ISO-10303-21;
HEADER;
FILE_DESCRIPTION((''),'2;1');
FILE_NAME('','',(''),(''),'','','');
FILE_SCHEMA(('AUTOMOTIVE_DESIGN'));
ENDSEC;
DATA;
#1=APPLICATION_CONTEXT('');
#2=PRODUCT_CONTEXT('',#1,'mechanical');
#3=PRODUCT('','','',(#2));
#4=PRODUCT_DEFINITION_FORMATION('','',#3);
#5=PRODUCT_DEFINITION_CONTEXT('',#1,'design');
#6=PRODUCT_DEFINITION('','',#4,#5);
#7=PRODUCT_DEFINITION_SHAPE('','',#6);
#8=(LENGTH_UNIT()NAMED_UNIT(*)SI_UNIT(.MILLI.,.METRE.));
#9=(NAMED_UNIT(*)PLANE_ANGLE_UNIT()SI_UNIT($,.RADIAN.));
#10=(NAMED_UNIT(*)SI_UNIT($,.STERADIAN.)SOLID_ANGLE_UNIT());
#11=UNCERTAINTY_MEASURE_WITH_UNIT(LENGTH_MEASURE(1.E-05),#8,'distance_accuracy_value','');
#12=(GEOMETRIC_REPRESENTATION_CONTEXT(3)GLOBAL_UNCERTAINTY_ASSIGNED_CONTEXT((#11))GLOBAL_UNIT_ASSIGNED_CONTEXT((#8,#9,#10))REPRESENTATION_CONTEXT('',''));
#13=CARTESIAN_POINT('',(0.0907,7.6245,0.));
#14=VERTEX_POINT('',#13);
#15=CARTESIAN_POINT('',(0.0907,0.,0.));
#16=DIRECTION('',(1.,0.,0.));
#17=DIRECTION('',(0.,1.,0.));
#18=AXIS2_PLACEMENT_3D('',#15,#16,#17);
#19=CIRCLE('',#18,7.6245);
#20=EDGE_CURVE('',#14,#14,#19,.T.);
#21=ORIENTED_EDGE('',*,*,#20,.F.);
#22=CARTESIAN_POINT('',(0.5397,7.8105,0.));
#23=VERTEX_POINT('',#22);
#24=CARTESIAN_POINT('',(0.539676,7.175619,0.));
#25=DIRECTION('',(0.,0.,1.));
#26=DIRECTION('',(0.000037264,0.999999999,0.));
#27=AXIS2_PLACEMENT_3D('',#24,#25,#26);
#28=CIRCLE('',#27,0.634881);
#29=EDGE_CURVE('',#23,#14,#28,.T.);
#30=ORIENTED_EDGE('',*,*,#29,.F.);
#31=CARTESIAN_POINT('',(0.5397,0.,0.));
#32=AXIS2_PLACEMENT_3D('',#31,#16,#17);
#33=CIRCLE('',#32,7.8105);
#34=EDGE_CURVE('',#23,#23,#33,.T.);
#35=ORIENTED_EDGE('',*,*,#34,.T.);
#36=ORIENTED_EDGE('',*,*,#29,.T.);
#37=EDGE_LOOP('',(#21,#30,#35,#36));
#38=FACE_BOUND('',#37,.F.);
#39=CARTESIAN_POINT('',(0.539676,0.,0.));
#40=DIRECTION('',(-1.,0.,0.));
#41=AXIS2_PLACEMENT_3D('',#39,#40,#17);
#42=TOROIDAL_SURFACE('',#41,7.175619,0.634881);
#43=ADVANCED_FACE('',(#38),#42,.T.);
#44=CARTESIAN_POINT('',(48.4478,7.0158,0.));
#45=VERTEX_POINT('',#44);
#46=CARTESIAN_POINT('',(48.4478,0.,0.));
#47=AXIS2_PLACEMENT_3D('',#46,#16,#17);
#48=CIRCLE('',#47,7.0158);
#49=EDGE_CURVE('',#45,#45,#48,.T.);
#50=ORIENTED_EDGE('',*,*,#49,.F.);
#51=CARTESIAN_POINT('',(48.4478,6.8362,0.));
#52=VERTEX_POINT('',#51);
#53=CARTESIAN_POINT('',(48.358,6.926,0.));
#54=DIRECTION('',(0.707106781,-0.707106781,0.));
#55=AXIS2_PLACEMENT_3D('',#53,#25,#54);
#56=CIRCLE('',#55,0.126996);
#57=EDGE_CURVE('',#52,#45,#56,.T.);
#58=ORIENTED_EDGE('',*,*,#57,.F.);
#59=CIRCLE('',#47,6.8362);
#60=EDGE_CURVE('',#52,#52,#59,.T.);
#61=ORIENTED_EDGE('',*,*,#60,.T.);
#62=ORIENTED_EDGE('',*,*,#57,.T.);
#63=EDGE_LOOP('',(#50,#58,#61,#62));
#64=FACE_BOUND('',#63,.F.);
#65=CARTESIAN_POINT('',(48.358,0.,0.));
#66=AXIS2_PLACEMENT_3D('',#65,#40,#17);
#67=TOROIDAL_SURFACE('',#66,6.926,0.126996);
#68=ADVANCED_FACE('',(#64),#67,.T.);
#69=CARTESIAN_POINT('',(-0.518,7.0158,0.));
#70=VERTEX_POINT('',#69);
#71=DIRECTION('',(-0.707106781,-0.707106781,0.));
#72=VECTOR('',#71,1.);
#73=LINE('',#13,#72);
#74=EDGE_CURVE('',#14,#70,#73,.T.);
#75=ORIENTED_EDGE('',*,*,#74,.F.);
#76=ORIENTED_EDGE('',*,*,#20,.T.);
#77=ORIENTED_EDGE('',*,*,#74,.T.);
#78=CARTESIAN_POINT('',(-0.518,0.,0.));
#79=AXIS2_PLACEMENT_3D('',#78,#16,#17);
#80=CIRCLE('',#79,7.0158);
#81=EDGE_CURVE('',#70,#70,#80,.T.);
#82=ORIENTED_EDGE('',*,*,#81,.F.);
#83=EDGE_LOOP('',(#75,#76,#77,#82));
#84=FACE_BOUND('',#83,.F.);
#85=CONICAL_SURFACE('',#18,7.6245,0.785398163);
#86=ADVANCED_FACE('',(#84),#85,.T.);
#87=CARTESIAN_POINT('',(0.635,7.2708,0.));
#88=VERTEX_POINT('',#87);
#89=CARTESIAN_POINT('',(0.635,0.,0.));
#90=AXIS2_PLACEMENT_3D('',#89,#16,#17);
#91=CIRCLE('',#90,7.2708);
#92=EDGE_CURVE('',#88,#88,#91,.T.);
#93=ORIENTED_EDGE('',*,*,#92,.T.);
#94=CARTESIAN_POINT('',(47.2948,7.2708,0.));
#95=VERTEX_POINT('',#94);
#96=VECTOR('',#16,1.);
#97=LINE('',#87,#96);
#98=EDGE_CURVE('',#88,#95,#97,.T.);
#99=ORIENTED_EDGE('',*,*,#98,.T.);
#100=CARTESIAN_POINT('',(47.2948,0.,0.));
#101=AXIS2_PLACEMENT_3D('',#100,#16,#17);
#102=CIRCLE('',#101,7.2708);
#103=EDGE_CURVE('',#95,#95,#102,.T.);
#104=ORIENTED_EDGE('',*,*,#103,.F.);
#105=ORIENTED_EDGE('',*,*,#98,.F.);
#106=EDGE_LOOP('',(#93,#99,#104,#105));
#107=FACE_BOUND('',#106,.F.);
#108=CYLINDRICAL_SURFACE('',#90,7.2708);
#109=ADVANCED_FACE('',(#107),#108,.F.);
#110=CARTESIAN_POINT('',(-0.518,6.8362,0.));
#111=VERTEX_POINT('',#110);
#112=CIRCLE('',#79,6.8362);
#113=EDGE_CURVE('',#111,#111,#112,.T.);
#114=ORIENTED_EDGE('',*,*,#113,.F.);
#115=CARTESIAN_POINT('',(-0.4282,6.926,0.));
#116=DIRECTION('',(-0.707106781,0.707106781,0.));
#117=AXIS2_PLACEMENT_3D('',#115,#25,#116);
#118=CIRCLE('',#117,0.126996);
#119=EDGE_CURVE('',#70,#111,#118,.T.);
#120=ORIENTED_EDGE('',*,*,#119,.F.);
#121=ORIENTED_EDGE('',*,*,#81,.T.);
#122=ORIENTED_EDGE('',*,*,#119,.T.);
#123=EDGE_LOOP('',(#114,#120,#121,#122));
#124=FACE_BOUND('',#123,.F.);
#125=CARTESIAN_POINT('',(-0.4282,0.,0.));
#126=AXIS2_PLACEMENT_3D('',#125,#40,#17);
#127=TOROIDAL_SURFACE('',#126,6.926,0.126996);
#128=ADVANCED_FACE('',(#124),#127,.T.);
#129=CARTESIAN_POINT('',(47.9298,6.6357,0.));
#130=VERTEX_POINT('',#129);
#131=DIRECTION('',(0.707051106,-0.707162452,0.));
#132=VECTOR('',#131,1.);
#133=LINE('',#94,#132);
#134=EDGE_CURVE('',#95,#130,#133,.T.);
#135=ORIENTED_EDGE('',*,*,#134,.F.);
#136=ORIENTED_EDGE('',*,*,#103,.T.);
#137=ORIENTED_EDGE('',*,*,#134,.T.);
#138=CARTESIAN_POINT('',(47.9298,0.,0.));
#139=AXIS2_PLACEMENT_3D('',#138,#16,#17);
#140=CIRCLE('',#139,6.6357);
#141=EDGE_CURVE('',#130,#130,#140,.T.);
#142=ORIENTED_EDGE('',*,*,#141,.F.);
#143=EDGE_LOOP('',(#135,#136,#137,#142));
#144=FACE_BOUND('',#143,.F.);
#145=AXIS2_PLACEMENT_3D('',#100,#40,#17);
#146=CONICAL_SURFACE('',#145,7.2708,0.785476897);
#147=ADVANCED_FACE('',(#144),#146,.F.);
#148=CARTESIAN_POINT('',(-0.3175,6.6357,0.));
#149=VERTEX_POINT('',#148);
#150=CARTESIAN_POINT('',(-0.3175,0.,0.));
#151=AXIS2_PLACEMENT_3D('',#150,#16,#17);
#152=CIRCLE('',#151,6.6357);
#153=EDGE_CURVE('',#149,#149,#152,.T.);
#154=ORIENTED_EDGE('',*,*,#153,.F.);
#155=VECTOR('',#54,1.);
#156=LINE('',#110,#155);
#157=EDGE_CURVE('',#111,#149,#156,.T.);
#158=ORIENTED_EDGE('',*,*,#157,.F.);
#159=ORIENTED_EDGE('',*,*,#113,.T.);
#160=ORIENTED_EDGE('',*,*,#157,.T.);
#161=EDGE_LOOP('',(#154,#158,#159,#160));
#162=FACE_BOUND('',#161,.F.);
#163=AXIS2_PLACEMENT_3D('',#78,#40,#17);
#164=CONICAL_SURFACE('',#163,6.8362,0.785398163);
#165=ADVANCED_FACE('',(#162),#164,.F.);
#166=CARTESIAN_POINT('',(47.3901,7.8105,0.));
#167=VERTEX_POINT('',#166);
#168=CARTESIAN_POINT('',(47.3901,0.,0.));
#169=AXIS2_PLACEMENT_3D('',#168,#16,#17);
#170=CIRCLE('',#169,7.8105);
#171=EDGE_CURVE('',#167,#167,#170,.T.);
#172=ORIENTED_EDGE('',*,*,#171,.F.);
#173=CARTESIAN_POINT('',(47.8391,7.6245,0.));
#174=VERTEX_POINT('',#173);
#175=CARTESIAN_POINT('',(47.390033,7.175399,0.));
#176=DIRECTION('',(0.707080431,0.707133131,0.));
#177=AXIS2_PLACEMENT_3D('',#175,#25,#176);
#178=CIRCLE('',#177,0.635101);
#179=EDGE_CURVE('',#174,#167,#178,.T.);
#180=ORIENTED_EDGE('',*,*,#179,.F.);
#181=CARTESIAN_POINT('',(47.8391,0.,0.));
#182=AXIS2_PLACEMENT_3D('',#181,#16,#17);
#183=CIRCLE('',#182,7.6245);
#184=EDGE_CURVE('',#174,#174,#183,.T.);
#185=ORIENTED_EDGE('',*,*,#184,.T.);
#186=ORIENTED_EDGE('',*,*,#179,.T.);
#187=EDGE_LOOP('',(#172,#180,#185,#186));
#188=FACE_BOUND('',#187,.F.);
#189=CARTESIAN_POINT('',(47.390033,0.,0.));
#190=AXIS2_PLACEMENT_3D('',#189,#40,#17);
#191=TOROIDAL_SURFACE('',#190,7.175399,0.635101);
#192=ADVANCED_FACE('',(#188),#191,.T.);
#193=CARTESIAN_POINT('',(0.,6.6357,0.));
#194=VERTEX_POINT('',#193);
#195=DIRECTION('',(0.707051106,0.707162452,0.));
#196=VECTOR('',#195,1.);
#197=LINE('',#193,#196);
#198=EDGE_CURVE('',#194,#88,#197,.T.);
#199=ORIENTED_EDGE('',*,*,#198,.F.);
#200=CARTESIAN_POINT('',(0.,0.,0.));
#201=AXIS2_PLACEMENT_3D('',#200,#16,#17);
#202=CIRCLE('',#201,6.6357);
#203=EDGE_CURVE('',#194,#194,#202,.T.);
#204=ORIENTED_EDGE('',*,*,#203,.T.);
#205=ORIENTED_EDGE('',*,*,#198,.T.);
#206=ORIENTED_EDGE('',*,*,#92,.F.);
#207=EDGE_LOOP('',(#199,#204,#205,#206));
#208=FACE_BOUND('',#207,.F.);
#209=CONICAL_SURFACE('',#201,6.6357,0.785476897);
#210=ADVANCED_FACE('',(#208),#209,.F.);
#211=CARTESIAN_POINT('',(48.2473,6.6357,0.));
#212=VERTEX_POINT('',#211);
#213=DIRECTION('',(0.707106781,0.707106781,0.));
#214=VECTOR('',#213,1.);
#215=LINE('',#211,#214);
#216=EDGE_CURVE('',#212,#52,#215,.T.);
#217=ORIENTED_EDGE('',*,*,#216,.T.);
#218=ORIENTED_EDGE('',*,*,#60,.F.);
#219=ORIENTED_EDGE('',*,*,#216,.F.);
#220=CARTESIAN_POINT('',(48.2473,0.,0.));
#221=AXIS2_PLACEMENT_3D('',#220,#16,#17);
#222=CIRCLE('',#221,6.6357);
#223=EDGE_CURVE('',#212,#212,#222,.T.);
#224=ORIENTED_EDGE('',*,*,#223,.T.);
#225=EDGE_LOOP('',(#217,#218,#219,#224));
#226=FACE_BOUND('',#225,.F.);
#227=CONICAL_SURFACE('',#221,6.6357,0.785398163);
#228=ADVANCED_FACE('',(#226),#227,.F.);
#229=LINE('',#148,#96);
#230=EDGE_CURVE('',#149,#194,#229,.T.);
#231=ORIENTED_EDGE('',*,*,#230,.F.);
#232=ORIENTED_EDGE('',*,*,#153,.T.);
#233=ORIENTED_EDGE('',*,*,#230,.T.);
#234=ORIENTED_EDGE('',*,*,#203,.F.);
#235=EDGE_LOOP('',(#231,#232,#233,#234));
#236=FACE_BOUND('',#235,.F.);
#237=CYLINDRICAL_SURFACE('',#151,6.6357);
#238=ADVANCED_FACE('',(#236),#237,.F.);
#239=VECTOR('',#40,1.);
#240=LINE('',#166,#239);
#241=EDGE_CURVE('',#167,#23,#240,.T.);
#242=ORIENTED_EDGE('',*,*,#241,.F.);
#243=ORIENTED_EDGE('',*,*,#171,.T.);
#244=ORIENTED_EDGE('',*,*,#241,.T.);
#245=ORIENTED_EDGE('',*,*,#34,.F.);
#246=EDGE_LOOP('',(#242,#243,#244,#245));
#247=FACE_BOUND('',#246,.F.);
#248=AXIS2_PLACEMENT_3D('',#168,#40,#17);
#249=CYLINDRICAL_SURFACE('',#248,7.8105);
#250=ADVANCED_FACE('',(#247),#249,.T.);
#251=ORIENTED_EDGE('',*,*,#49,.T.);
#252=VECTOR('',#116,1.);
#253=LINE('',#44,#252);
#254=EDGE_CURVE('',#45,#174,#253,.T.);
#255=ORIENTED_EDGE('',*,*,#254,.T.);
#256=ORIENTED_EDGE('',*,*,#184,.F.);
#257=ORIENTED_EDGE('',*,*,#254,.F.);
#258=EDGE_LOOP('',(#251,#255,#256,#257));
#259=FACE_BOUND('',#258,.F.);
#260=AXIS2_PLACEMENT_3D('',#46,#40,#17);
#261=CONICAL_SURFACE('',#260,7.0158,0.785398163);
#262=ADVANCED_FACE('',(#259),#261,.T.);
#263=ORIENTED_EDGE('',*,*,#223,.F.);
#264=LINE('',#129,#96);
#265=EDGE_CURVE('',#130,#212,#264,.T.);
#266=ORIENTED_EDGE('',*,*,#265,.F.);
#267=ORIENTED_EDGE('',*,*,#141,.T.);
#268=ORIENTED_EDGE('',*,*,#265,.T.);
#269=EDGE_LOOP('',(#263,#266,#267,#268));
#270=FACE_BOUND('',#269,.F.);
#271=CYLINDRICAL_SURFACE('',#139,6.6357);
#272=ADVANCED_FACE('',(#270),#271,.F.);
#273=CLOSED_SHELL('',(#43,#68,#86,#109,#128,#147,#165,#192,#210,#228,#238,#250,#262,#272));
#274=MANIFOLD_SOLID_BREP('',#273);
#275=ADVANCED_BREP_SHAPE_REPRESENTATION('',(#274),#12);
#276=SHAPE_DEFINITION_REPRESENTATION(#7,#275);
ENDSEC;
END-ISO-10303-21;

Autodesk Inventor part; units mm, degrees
sketch "Sketch_1" plane through (0, 0, 0) normal (0, 0, 1) x (1, 0, 0)
  line L0 (47.9298, 0) -> (0, 0)
  arc A0 (-0.518, 7.0158) -> (-0.518, 6.8362) centre (-0.4282, 6.926) ccw
  line L1 (-0.518, 6.8362) -> (-0.3175, 6.6357)
  line L2 (-0.3175, 6.6357) -> (0, 6.6357)
  line L3 (0, 6.6357) -> (0.635, 7.2708)
  line L4 (0.635, 7.2708) -> (47.2948, 7.2708)
  line L5 (47.2948, 7.2708) -> (47.9298, 6.6357)
  line L6 (47.9298, 6.6357) -> (48.2473, 6.6357)
  line L7 (48.2473, 6.6357) -> (48.4478, 6.8362)
  arc A1 (48.4478, 6.8362) -> (48.4478, 7.0158) centre (48.358, 6.926) ccw
  line L8 (48.4478, 7.0158) -> (47.8391, 7.6245)
  arc A2 (47.8391, 7.6245) -> (47.3901, 7.8105) centre (47.3901, 7.1755) ccw
  line L9 (47.3901, 7.8105) -> (0.5397, 7.8105)
  arc A3 (0.5397, 7.8105) -> (0.0907, 7.6245) centre (0.5397, 7.1755) ccw
  line L10 (0.0907, 7.6245) -> (-0.518, 7.0158)
revolve "Revolution1" add sketch "Sketch_1" angle 360 about axis through (47.9298, 0, 0) along (1, 0, 0)
ref_plane "cp1_XY" through (23.9649, 7.8105, 0) normal (1, 0, 0) x (0, 0, -1)
ref_plane "cp1_YZ" through (23.9649, 7.8105, 0) normal (0, 0, -1) x (0, 1, 0)
ref_plane "cp1_ZX" through (23.9649, 7.8105, 0) normal (0, 1, 0) x (1, 0, 0)
ref_plane "cp2_XY" through (23.9649, 0, -7.8105) normal (1, 0, 0) x (0, 0, -1)
ref_plane "cp2_YZ" through (23.9649, 0, -7.8105) normal (0, 0, -1) x (0, 1, 0)
ref_plane "cp2_ZX" through (23.9649, 0, -7.8105) normal (0, 1, 0) x (1, 0, 0)
ref_plane "cp3_XY" through (23.9649, -7.8105, 0) normal (1, 0, 0) x (0, 0, -1)
ref_plane "cp3_YZ" through (23.9649, -7.8105, 0) normal (0, 0, -1) x (0, 1, 0)
ref_plane "cp3_ZX" through (23.9649, -7.8105, 0) normal (0, 1, 0) x (1, 0, 0)
ref_plane "cp4_XY" through (23.9649, 0, 7.8105) normal (1, 0, 0) x (0, 0, -1)
ref_plane "cp4_YZ" through (23.9649, 0, 7.8105) normal (0, 0, -1) x (0, 1, 0)
ref_plane "cp4_ZX" through (23.9649, 0, 7.8105) normal (0, 1, 0) x (1, 0, 0)
ref_plane "tube_front_XY" through (0, 0, 0) normal (1, 0, 0) x (0, 0, -1)
ref_plane "tube_front_YZ" through (0, 0, 0) normal (0, 0, -1) x (0, 1, 0)
ref_plane "tube_front_ZX" through (0, 0, 0) normal (0, 1, 0) x (1, 0, 0)
ref_plane "tube_rear_XY" through (47.9298, 0, 0) normal (1, 0, 0) x (0, 0, -1)
ref_plane "tube_rear_YZ" through (47.9298, 0, 0) normal (0, 0, -1) x (0, 1, 0)
ref_plane "tube_rear_ZX" through (47.9298, 0, 0) normal (0, 1, 0) x (1, 0, 0)
properties part number "02R-1.8870"
